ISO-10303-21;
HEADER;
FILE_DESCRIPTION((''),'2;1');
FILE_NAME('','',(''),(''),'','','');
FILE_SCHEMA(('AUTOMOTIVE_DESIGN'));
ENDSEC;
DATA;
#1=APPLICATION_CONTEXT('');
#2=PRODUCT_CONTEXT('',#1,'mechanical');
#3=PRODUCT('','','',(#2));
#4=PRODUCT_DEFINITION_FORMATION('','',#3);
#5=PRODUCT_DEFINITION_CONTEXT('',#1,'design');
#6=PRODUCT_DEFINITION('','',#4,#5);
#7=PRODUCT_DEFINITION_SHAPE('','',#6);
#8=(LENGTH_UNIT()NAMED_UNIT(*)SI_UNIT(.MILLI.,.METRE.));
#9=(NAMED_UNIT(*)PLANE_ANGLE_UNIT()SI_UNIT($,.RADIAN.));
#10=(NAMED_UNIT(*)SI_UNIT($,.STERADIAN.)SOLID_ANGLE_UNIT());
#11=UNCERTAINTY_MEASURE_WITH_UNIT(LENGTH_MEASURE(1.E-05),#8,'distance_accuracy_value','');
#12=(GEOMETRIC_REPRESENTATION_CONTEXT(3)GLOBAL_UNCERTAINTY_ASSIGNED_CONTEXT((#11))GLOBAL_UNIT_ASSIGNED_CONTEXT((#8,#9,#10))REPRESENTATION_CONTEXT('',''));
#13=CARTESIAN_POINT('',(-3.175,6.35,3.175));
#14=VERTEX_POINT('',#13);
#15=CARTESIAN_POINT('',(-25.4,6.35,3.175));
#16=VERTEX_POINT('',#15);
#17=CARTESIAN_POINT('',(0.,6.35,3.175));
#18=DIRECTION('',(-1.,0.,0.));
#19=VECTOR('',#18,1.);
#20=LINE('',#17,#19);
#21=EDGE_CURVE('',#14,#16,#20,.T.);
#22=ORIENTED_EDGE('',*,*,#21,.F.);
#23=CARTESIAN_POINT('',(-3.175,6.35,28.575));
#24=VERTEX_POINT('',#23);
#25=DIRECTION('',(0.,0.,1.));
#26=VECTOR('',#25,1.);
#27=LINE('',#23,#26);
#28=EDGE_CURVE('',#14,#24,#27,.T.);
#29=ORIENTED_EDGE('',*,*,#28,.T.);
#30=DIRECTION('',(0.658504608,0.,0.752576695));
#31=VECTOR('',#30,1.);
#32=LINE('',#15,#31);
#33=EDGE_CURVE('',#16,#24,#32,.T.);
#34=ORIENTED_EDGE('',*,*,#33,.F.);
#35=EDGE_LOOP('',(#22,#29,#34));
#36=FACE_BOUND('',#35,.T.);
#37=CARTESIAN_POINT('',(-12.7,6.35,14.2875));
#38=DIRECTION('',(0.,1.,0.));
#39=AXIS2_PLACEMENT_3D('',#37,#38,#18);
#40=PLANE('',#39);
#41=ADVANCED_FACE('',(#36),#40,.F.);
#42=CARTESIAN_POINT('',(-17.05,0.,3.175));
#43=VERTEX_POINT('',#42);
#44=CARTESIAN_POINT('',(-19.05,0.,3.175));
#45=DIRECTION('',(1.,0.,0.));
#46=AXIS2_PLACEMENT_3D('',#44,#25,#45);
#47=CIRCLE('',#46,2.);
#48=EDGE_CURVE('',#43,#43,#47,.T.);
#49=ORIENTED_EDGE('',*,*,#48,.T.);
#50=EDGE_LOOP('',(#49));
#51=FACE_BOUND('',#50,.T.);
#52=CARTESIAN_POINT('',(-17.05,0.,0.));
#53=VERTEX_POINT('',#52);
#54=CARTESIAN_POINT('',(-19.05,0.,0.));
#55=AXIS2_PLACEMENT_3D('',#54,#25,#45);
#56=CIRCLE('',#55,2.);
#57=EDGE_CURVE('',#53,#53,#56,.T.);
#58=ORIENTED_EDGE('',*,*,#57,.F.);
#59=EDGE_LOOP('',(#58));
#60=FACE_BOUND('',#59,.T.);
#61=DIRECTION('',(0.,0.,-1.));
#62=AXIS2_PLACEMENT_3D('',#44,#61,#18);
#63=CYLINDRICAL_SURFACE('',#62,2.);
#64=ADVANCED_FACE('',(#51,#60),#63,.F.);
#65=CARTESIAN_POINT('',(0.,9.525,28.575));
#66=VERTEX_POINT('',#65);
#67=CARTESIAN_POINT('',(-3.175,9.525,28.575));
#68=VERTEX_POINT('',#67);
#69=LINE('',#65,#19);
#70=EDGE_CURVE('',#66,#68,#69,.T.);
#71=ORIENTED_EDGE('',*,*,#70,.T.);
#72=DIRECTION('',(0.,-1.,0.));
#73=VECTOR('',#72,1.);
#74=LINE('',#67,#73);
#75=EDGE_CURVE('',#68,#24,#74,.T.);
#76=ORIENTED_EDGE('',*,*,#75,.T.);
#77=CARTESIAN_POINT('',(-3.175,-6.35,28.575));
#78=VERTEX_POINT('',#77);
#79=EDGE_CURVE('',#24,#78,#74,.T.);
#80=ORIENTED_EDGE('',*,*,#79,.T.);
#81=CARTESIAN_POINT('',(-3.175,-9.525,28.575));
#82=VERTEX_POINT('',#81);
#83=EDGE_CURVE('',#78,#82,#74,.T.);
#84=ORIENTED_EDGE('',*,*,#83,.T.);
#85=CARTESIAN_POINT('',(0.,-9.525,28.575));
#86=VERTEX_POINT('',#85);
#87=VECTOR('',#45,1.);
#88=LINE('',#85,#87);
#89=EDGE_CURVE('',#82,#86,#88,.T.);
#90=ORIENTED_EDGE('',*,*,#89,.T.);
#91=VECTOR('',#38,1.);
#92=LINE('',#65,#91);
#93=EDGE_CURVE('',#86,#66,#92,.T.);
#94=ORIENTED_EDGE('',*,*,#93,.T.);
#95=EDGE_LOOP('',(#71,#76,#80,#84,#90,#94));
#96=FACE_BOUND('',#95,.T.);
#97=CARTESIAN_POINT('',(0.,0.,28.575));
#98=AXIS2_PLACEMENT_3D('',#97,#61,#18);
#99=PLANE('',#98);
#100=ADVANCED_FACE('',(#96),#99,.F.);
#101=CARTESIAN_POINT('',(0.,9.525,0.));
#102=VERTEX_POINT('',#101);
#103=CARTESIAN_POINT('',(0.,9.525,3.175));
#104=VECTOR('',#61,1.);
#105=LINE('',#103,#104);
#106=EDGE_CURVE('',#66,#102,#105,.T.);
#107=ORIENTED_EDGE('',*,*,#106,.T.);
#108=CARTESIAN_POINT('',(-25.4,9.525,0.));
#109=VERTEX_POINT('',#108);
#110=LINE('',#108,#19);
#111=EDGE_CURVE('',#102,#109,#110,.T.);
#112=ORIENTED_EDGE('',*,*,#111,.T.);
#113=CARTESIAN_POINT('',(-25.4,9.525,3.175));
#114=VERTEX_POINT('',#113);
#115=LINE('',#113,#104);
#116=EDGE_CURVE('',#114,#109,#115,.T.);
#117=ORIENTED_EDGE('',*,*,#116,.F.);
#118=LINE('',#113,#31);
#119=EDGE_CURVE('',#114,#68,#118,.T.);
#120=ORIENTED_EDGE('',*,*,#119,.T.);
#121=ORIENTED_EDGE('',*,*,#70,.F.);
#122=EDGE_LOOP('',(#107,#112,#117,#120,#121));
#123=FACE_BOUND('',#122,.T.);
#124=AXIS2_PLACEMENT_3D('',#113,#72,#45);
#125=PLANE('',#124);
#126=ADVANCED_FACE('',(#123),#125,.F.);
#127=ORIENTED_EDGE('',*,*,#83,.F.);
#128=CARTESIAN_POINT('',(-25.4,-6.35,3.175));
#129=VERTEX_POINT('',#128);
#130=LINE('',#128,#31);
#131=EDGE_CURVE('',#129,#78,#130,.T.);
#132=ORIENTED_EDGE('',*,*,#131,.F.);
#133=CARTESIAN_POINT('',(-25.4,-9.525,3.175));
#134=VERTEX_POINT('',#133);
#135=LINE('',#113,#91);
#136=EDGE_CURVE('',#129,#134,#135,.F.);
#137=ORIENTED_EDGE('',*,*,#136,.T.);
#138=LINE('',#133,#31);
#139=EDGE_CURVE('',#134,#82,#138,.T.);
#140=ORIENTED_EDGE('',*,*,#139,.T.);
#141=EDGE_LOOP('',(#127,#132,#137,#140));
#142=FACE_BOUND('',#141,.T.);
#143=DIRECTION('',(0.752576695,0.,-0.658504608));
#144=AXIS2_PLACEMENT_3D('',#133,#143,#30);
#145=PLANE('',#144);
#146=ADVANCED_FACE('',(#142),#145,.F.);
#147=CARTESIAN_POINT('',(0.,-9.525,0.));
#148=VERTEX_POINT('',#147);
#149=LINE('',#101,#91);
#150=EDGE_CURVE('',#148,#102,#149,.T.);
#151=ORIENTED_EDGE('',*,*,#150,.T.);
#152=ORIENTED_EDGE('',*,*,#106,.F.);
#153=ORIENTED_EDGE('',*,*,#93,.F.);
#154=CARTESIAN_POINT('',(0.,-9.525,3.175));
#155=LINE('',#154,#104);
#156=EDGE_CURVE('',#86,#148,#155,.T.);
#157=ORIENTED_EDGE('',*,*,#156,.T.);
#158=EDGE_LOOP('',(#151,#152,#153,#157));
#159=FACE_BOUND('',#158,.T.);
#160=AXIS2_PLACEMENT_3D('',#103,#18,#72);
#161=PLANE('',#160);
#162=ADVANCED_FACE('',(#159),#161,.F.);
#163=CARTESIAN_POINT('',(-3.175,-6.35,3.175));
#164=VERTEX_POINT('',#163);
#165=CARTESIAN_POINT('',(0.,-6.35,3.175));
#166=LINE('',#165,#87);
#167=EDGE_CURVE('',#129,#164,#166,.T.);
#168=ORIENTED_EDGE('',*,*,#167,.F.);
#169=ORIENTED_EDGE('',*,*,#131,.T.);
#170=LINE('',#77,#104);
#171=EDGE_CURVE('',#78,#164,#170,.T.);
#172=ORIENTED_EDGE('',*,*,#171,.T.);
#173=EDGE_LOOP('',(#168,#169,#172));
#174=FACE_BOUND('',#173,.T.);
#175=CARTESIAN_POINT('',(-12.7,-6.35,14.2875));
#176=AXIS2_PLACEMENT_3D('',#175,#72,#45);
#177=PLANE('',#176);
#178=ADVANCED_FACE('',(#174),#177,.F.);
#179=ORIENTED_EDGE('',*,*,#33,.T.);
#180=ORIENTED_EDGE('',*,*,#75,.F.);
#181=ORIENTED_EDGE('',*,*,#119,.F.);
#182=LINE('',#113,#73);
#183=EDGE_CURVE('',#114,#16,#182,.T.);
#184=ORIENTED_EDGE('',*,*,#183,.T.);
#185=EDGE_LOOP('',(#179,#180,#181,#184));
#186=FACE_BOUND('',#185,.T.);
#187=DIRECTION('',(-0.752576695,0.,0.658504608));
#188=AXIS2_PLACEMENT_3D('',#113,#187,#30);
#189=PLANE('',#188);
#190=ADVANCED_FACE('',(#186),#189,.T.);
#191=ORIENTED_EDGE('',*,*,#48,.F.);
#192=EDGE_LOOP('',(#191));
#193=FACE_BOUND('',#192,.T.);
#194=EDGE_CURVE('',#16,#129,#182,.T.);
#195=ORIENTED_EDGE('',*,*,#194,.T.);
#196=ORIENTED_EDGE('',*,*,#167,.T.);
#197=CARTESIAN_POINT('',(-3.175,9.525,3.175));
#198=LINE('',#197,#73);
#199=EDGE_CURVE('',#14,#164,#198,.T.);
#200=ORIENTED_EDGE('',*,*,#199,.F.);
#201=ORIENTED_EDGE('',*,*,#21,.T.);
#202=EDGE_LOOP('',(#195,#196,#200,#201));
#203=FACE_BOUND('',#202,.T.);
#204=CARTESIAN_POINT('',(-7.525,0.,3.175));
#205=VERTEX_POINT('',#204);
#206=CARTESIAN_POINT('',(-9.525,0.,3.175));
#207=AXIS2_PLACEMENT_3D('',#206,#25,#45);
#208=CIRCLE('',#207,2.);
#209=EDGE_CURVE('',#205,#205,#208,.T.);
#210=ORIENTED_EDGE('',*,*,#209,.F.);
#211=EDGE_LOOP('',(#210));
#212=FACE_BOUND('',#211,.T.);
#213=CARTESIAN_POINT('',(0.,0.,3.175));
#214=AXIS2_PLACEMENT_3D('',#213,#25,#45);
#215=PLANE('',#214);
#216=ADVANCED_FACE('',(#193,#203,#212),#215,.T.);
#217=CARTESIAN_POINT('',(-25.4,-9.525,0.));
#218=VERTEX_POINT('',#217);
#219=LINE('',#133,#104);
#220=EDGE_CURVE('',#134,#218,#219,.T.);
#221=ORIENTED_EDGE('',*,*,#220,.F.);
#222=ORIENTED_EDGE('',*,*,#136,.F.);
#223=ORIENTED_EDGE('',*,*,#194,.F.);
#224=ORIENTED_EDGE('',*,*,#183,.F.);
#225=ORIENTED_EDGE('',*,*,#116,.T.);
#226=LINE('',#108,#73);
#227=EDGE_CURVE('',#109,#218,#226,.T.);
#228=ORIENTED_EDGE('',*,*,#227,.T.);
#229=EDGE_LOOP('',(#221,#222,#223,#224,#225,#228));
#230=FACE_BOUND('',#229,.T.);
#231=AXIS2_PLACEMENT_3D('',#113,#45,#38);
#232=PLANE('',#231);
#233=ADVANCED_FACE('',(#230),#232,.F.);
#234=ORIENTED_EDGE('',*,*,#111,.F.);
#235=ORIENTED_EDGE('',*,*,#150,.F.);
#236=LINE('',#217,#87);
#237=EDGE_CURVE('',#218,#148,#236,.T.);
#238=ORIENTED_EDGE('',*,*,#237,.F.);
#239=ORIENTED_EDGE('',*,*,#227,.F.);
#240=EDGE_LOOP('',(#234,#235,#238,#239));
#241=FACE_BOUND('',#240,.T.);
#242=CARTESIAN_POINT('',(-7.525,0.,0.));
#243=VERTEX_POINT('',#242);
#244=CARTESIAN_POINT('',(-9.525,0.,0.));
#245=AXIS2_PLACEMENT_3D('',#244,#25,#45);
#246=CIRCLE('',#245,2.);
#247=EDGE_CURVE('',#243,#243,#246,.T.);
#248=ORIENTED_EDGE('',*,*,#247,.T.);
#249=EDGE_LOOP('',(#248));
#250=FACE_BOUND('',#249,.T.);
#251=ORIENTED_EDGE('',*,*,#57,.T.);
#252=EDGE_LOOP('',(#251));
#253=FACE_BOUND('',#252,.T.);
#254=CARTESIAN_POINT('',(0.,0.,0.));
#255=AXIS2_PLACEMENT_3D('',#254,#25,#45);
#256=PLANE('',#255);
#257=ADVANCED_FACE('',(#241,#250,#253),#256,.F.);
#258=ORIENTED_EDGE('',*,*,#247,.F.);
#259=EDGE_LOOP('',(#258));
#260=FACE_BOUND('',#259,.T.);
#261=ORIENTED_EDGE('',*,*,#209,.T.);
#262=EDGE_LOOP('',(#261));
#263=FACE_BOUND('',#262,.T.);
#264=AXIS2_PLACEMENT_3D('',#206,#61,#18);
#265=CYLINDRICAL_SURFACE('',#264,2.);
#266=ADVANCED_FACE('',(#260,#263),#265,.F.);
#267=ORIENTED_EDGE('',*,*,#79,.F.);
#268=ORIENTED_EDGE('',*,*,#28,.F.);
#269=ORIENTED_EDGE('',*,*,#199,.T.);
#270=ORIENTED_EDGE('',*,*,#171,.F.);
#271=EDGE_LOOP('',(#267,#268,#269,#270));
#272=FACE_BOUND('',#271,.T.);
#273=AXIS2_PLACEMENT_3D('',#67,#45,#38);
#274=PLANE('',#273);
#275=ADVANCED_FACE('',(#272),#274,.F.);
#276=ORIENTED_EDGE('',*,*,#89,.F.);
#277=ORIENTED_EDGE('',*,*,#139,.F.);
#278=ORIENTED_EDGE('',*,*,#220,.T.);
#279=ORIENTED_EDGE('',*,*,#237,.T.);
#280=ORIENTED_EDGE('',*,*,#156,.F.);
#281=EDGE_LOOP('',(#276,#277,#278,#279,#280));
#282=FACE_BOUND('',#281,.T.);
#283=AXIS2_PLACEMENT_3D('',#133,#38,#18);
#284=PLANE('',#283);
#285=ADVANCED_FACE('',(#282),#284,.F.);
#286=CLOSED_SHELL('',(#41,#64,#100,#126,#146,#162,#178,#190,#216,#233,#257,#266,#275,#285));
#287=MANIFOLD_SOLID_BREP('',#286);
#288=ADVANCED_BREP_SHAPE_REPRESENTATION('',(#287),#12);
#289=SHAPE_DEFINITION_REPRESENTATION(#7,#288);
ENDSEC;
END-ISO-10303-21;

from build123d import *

# Parameters (mm, degrees)
SKETCH1_W           = 25.4
SKETCH1_H           = 19.05
SKETCH1_R           = 2
BOSS_EXTRUDE1_DEPTH = 3.175
SKETCH2_W           = 3.175
SKETCH2_H           = 19.05
BOSS_EXTRUDE2_DEPTH = 25.4
RIB1_REACH          = 44.715
SKETCH3_WALL_W      = 121.181225654
SKETCH3_WALL_H      = 3.175


with BuildPart() as part:
    # Sketch1 → Boss-Extrude1 (new body)
    with BuildSketch(Plane.XY):
        with Locations((-12.7, 0)):
            Rectangle(SKETCH1_W, SKETCH1_H)
        with Locations((-9.525, 0)):
            Circle(SKETCH1_R, mode=Mode.SUBTRACT)
        with Locations((-19.05, 0)):
            Circle(SKETCH1_R, mode=Mode.SUBTRACT)
    extrude(amount=BOSS_EXTRUDE1_DEPTH)

    # Sketch2 → Boss-Extrude2 (add)
    with BuildSketch(Plane.XY.offset(3.175)):
        with Locations((-1.5875, 0)):
            Rectangle(SKETCH2_W, SKETCH2_H)
    extrude(amount=BOSS_EXTRUDE2_DEPTH)

    # Sketch3 wall → Rib1 (add, up to next)
    with BuildSketch(Plane(origin=(-14.2875, 9.525, 15.875), x_dir=(0.658504607869, 0, 0.752576694707), z_dir=(0.752576694707, 0, -0.658504607869)), mode=Mode.PRIVATE) as rib1_sk1:
        with Locations((0, 1.5875)):
            Rectangle(SKETCH3_WALL_W, SKETCH3_WALL_H)
    rib1_tool1 = extrude(rib1_sk1.sketch, amount=RIB1_REACH, mode=Mode.PRIVATE) - part.part
    rib1 = rib1_tool1.solids().sort_by_distance((-14.2875, 9.525, 15.875))[0]
    add(rib1)

    # Mirror1: Rib1 across plane
    add(rib1.mirror(Plane.ZX))


solid = part.part
